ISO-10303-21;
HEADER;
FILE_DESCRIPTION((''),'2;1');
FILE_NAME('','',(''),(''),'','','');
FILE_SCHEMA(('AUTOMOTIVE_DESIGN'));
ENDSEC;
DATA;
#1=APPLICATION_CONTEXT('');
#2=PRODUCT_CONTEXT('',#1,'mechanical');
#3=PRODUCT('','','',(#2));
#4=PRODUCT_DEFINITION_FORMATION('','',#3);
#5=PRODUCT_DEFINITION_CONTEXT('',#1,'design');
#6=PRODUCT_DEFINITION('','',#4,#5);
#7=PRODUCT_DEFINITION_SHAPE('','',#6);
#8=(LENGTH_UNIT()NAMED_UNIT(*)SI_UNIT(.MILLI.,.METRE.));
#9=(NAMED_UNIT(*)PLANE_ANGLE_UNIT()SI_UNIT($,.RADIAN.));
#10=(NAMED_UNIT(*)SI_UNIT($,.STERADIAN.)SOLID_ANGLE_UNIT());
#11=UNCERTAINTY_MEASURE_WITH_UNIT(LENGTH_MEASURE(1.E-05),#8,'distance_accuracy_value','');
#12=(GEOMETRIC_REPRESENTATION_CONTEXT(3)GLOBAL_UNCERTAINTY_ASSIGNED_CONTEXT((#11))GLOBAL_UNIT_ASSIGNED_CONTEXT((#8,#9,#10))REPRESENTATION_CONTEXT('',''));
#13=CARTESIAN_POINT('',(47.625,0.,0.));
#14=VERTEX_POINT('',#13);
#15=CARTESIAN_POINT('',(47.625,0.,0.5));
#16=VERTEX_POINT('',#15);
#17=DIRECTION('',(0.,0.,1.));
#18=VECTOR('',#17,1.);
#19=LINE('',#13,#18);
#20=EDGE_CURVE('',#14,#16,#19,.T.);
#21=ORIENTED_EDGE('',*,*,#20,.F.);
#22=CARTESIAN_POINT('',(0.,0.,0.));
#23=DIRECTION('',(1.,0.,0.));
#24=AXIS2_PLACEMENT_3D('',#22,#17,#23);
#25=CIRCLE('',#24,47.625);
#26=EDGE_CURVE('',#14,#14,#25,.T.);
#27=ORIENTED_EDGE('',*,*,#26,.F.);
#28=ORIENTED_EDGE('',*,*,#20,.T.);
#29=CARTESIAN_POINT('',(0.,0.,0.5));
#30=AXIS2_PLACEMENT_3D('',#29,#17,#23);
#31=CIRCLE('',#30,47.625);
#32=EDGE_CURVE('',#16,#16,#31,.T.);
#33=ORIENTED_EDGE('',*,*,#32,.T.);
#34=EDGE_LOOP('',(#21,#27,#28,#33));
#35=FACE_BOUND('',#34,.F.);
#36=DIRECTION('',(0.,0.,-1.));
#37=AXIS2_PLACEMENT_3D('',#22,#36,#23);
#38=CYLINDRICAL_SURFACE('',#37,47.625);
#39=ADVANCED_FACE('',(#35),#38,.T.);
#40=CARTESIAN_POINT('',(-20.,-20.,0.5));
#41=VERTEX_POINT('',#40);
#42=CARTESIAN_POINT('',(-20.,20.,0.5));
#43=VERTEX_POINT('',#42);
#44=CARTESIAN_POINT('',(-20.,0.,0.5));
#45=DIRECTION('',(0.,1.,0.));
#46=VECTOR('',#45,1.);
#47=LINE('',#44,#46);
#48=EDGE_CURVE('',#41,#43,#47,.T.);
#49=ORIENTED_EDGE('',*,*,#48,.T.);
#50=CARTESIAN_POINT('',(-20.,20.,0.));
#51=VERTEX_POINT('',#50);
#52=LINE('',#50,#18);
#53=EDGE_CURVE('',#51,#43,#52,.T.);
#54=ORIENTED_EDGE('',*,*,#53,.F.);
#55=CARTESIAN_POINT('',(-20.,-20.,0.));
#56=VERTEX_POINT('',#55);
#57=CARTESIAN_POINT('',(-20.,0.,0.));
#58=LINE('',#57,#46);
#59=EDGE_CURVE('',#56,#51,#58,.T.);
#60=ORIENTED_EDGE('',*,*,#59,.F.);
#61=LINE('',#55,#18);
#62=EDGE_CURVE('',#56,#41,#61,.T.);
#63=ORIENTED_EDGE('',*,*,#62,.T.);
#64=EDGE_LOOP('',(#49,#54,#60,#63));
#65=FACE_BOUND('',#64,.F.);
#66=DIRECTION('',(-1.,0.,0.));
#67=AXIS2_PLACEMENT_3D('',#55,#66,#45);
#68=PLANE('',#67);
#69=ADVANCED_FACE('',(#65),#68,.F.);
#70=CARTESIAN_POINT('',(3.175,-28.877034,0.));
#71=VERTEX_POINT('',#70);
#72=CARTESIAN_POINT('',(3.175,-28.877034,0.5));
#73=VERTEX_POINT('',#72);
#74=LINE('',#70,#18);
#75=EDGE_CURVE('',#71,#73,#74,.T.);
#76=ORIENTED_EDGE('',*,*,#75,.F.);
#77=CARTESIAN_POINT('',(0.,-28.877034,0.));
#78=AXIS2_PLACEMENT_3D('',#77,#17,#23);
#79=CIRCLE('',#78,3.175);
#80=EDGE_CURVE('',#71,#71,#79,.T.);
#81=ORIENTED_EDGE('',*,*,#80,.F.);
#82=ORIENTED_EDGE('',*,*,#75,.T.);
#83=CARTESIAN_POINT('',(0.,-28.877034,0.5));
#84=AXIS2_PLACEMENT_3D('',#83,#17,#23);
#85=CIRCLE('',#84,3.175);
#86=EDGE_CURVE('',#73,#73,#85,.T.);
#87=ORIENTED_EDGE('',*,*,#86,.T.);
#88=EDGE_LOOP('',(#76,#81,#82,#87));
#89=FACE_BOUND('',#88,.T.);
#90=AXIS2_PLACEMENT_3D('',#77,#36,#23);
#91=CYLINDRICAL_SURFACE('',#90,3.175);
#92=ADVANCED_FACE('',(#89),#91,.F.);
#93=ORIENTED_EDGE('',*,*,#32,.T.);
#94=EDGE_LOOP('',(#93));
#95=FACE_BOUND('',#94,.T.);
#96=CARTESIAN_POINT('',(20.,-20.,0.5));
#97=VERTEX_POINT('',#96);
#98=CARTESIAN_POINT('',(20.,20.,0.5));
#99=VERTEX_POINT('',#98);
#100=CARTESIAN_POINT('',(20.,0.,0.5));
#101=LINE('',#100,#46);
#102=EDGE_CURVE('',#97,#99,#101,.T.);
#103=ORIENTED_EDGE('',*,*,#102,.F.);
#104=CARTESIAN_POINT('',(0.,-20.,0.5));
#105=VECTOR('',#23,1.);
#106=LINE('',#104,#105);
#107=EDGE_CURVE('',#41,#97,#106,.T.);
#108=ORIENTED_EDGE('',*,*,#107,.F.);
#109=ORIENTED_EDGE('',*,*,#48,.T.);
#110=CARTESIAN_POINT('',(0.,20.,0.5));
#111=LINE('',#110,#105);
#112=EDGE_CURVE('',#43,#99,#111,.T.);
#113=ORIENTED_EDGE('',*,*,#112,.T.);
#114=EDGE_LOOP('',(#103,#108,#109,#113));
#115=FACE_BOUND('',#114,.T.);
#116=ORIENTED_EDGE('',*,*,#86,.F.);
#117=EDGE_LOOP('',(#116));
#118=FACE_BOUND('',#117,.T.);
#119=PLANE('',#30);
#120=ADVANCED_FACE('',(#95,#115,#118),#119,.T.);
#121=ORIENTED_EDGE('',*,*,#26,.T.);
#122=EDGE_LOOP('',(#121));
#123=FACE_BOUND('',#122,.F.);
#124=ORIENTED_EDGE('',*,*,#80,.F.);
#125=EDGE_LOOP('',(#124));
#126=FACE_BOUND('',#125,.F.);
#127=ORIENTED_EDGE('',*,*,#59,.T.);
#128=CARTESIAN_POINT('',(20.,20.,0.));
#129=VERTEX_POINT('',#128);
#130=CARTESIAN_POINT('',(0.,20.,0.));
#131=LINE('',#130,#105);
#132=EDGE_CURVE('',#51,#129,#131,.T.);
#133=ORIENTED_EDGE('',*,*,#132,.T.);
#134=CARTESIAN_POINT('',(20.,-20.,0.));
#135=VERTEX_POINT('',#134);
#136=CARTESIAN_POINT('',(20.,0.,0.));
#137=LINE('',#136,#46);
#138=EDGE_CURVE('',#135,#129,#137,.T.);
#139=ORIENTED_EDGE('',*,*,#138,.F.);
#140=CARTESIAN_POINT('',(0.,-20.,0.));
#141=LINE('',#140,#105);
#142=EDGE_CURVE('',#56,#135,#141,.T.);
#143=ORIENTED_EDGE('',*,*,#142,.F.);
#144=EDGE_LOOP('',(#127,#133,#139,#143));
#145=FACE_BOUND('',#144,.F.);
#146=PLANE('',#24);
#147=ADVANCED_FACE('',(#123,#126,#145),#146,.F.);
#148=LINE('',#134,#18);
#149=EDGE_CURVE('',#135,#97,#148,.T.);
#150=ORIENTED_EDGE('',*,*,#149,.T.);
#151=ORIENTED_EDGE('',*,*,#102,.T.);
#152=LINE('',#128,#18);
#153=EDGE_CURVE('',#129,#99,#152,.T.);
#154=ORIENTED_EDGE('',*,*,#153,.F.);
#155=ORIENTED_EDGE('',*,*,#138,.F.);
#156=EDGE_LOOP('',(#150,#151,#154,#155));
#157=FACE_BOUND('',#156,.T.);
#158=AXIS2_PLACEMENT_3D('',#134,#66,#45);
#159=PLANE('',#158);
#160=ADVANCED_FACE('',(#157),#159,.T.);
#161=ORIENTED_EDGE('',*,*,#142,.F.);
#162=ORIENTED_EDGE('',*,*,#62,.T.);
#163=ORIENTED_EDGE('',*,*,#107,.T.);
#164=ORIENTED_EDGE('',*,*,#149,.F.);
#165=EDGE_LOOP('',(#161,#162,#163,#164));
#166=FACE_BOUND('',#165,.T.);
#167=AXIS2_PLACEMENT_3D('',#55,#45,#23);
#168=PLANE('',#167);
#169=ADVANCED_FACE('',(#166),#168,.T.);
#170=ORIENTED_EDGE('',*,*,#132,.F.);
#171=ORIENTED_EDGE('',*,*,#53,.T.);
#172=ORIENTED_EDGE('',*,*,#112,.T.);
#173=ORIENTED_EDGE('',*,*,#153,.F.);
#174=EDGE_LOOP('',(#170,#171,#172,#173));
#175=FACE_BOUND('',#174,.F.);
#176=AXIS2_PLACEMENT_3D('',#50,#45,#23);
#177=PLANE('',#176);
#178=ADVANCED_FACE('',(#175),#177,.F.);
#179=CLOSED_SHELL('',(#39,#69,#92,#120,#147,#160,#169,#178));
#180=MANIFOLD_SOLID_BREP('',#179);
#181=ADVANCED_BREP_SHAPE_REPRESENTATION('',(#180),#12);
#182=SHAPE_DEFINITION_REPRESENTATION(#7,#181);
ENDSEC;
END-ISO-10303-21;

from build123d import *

# Parameters (mm, degrees)
F0_R     = 47.625
F0_R_2   = 3.175
F0_W     = 40
F0_H     = 40
F1_DEPTH = 0.5


with BuildPart() as f1:
    # F0 (on Top) → F1 (new body)
    with BuildSketch(Plane.XY):
        Circle(F0_R)
        with Locations((0, -28.877034)):
            Circle(F0_R_2, mode=Mode.SUBTRACT)
        Rectangle(F0_W, F0_H, mode=Mode.SUBTRACT)
    extrude(amount=F1_DEPTH)


solid = f1.part
